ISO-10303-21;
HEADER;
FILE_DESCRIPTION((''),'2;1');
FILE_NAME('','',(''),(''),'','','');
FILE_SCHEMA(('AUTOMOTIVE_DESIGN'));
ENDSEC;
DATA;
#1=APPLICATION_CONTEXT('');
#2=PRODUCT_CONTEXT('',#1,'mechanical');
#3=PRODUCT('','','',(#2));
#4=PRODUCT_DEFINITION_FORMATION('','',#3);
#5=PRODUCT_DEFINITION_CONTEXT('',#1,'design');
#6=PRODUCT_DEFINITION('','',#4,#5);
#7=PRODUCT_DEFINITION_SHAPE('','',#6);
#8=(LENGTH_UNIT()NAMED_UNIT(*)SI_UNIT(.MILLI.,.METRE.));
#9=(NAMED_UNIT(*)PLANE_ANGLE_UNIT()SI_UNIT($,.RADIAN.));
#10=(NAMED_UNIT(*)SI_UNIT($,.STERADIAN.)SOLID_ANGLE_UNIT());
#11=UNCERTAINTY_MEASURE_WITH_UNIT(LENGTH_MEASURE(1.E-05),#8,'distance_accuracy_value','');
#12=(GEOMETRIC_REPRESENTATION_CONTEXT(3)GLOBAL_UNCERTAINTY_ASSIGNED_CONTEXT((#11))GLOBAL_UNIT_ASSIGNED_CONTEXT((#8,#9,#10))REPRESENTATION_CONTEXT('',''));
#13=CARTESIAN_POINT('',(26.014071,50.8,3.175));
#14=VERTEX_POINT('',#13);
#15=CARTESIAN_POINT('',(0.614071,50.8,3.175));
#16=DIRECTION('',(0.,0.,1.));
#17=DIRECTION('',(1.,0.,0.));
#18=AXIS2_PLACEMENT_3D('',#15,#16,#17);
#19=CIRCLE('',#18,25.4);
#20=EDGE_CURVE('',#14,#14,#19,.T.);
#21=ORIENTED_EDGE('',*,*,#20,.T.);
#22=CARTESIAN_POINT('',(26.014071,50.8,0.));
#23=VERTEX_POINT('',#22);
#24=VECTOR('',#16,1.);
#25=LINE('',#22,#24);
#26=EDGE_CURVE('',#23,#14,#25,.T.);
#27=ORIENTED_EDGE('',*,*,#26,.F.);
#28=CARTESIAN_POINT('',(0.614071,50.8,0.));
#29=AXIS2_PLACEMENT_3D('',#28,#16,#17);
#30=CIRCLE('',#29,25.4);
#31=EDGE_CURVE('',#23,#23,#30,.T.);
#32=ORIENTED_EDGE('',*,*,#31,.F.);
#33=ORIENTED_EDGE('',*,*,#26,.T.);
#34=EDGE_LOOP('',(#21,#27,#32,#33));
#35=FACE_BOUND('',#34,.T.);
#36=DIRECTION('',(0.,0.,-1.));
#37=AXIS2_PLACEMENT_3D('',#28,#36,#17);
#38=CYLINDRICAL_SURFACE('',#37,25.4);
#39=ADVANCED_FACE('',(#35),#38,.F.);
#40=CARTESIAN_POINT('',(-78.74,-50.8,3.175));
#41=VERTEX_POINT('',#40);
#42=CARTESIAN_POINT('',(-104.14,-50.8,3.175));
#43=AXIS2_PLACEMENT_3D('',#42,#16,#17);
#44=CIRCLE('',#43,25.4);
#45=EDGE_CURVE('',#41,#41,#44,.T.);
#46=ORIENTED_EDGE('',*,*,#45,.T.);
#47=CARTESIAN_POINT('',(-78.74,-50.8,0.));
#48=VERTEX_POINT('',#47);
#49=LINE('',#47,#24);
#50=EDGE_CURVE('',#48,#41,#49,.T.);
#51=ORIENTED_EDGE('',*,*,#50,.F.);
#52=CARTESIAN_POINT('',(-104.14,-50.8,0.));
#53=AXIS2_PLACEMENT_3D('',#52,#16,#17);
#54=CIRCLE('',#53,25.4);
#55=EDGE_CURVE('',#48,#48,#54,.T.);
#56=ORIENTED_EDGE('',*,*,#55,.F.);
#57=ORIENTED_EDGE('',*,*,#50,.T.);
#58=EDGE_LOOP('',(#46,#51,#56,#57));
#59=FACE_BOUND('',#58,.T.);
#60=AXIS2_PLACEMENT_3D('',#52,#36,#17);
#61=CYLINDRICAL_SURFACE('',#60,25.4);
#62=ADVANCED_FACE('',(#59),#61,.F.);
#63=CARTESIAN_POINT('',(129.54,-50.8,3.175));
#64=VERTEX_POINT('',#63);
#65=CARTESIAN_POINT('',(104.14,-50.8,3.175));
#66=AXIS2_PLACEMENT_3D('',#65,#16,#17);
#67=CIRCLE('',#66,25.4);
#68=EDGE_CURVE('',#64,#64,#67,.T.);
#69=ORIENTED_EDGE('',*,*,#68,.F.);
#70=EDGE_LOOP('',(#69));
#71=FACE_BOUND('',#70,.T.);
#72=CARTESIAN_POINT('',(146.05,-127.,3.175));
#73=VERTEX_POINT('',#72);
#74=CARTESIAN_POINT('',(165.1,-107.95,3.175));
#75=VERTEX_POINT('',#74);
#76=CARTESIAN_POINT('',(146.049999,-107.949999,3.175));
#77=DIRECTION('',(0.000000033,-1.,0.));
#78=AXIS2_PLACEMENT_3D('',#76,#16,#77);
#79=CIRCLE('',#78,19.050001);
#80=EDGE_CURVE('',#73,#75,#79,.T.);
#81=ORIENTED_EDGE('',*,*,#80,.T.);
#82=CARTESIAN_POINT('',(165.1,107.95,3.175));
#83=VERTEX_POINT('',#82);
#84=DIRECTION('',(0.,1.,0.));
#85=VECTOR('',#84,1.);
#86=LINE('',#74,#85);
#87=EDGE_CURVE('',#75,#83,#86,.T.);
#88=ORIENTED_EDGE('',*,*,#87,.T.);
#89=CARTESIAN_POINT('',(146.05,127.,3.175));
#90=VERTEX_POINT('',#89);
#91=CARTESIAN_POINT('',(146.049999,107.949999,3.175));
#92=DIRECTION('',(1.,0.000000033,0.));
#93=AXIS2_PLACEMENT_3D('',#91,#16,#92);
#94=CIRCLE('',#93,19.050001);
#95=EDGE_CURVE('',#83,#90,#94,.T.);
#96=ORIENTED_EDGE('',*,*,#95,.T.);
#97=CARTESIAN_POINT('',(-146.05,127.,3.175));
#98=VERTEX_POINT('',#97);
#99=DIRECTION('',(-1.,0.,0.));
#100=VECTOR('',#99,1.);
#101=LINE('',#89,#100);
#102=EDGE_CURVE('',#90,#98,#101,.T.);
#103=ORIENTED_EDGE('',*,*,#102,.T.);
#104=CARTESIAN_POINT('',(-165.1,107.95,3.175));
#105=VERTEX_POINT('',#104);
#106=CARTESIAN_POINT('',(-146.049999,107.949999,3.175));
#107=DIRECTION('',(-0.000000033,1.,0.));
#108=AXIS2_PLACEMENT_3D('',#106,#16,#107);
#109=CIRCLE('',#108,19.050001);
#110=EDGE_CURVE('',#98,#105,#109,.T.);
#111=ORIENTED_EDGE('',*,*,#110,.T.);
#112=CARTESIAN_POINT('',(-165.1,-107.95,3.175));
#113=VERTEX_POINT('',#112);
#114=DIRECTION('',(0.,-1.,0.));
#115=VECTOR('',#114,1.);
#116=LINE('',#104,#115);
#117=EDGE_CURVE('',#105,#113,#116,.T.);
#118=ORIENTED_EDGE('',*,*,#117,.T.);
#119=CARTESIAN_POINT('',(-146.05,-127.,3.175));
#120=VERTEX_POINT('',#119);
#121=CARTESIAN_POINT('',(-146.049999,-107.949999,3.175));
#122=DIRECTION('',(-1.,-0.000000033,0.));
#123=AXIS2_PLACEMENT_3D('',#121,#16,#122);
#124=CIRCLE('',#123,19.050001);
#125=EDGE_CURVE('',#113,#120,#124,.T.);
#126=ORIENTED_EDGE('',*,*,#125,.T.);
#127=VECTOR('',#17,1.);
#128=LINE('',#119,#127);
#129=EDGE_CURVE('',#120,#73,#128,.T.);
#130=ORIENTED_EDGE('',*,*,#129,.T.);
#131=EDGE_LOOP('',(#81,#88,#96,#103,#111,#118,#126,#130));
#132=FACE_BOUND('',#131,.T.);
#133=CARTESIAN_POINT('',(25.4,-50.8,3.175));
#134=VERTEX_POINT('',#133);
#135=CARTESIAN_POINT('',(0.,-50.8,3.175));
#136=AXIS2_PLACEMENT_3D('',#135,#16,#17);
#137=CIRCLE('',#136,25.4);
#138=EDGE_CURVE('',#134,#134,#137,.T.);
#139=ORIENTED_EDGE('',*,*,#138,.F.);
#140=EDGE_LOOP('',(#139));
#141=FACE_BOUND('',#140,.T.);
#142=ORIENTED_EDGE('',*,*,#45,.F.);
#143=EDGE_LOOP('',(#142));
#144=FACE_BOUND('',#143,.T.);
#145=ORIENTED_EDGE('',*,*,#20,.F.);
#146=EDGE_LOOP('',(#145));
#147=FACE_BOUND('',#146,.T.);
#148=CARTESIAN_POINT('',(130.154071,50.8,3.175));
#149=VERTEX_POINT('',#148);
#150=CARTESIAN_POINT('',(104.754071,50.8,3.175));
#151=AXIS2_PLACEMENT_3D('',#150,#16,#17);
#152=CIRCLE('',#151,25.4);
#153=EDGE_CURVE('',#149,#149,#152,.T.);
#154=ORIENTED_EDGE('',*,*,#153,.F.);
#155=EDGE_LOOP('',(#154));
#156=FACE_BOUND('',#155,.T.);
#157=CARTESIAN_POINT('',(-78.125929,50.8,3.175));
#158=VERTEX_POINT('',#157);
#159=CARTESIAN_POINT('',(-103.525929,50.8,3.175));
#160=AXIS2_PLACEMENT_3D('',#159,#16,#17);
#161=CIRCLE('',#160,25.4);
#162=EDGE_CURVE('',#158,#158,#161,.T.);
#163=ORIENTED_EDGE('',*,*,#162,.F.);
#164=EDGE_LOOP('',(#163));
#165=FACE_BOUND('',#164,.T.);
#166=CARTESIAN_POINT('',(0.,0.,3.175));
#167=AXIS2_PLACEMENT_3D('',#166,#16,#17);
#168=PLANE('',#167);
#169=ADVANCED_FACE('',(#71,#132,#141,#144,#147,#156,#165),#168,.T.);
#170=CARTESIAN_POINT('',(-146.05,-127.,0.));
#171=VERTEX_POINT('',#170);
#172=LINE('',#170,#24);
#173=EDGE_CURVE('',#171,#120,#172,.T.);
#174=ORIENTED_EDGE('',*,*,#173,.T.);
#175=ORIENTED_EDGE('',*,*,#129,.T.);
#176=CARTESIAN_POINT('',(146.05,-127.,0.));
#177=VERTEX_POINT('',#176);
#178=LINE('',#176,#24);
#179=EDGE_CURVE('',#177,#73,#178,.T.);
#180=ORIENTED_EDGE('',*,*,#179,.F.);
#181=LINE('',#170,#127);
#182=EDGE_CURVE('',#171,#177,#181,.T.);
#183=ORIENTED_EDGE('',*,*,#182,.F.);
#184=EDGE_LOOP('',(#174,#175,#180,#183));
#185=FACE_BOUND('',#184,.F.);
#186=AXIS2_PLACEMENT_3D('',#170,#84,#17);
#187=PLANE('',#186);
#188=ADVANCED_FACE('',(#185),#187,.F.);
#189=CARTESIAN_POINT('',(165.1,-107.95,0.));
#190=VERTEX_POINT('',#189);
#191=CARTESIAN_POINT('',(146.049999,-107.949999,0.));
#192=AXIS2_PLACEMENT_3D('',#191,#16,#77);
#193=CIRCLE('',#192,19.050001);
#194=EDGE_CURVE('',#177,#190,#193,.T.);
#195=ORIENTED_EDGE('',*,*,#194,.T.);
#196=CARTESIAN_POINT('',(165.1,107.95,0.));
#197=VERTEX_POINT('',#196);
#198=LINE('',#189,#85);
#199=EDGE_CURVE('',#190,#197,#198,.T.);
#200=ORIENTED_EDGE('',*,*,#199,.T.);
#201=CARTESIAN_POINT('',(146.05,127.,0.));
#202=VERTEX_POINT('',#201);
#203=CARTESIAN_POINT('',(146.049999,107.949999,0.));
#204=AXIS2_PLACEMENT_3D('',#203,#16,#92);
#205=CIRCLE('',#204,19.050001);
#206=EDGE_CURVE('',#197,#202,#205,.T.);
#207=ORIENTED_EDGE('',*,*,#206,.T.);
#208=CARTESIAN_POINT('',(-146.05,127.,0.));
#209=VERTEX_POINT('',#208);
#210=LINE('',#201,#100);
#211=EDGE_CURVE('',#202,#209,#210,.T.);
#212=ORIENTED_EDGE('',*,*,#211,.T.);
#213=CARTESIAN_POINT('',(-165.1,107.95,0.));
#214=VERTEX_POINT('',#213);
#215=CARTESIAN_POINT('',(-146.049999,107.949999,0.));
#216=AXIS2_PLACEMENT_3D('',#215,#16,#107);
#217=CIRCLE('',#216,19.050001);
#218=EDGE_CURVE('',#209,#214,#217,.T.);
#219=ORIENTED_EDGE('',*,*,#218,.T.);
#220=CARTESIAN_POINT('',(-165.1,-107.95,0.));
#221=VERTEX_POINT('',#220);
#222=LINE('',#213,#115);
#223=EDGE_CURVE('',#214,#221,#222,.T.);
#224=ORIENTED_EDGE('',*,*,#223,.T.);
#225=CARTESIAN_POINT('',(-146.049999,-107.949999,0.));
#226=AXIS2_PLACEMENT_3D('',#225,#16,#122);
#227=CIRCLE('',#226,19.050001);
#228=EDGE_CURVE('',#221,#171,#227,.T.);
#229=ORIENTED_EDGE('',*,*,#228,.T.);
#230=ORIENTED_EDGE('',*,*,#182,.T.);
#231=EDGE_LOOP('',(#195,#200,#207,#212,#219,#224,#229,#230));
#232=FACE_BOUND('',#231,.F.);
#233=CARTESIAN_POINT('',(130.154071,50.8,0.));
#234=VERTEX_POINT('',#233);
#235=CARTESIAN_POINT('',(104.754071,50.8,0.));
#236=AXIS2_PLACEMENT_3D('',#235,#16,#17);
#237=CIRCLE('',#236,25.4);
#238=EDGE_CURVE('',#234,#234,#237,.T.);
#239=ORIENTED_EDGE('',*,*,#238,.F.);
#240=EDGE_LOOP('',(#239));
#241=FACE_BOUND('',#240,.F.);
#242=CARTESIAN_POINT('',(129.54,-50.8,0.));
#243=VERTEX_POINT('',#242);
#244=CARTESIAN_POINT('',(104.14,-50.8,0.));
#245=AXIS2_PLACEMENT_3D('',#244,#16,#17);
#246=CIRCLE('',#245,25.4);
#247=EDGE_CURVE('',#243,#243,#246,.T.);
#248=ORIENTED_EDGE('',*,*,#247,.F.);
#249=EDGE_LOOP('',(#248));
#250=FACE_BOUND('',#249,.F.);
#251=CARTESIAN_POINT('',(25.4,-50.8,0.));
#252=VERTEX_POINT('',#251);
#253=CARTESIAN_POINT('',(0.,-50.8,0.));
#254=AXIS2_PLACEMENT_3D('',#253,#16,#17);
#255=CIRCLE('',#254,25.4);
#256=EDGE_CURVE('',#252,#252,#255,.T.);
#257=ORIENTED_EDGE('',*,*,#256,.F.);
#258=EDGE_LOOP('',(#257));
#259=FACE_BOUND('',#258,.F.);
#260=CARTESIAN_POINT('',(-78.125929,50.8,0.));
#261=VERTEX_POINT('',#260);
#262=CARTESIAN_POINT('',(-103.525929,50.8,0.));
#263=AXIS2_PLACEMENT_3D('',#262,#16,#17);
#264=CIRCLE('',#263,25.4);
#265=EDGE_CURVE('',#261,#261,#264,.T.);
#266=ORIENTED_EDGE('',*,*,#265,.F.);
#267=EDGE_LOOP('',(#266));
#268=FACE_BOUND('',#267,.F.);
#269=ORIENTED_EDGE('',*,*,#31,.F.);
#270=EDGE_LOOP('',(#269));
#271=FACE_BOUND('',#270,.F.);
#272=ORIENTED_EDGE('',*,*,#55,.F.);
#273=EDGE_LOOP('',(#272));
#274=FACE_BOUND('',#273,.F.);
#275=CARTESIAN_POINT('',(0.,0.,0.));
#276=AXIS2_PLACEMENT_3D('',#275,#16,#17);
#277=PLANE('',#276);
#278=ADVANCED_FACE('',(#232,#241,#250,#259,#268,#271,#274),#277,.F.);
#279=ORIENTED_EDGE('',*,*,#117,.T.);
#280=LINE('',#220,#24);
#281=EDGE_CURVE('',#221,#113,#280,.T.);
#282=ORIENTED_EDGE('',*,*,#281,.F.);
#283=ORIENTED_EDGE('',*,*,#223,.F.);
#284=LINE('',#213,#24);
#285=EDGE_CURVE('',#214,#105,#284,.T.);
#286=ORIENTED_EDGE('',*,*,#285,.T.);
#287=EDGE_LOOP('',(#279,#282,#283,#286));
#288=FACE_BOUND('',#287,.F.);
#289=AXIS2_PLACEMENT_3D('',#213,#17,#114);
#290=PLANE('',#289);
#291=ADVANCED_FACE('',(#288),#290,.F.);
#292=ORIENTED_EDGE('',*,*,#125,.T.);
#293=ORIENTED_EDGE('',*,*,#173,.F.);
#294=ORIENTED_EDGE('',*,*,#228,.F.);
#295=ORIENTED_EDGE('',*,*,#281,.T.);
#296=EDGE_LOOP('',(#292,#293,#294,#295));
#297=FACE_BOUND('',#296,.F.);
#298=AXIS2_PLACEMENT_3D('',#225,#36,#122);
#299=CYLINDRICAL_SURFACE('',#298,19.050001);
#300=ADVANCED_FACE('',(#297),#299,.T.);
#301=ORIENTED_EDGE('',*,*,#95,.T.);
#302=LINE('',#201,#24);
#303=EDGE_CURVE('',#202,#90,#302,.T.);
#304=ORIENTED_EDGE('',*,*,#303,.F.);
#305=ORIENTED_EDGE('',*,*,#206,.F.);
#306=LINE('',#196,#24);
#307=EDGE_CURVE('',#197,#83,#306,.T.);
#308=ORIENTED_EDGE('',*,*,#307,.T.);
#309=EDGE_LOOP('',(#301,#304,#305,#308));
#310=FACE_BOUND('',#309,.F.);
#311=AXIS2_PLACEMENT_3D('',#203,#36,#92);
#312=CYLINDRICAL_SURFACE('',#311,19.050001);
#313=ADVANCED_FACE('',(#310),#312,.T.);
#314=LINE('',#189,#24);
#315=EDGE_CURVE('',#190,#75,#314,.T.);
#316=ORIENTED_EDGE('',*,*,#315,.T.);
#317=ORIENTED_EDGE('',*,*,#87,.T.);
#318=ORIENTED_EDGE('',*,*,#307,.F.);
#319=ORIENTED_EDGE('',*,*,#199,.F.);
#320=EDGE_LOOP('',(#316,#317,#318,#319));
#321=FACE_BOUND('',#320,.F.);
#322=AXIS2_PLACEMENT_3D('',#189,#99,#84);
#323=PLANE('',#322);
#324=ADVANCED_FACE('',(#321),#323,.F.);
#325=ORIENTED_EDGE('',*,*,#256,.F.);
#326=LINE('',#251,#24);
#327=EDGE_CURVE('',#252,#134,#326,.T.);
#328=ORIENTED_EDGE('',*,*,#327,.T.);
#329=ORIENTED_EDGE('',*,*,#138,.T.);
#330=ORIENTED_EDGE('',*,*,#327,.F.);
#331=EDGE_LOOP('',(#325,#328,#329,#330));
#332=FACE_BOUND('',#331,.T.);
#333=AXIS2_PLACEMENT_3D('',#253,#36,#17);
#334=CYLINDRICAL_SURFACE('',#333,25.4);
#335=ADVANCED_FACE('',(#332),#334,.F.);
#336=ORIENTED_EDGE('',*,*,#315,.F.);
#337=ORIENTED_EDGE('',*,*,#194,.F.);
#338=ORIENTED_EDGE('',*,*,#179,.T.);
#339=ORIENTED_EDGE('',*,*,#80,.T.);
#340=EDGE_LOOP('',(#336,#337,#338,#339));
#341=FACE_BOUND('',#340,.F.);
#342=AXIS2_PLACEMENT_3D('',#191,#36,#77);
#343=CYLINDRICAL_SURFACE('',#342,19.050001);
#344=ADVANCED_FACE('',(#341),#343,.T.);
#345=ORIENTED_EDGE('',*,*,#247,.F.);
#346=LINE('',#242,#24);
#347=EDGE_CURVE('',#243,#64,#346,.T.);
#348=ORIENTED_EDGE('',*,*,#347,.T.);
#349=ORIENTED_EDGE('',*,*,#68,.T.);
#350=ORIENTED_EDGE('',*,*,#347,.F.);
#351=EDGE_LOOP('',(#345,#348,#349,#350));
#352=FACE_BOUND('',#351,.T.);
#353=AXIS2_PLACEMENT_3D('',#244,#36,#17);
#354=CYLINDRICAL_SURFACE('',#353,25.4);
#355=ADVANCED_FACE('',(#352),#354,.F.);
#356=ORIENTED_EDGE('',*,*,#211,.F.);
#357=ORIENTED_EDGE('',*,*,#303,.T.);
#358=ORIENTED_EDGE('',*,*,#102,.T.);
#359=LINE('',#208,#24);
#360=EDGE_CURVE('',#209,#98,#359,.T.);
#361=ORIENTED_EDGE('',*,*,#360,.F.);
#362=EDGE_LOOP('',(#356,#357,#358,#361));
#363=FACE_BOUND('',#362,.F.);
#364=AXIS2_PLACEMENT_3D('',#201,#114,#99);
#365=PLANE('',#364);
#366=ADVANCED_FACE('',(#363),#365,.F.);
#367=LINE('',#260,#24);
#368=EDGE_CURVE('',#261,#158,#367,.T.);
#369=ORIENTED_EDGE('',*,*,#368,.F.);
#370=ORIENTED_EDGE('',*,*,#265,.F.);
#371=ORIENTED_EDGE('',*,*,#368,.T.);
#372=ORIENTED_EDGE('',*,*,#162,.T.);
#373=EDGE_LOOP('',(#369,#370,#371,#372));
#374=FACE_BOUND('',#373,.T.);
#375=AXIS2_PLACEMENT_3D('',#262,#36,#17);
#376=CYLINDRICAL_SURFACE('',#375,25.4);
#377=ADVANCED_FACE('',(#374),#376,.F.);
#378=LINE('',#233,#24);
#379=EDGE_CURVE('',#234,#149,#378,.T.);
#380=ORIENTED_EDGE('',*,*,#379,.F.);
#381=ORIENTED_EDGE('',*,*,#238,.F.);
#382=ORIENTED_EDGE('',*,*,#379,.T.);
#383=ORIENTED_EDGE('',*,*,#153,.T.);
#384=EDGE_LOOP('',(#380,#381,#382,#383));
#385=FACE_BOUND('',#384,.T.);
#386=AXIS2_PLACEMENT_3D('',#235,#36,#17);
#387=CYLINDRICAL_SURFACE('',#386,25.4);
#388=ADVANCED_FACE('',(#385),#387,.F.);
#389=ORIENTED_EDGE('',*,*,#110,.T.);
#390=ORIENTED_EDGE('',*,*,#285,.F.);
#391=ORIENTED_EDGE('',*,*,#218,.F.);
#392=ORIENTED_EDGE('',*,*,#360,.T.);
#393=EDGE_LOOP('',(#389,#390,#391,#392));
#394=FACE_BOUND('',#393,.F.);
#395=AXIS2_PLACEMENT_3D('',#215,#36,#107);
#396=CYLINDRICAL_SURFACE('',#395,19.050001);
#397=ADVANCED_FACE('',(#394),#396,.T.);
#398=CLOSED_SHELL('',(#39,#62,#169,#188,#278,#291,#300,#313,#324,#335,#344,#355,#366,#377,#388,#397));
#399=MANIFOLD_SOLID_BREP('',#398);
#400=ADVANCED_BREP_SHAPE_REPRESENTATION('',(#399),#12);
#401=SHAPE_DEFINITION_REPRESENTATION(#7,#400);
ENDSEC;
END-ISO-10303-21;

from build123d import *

# Parameters (mm, degrees)
F0_R     = 25.4
F1_DEPTH = 3.175


with BuildPart() as f1:
    # F0 (on Top) → F1 (new body)
    with BuildSketch(Plane.XY):
        with BuildLine():
            ThreePointArc((165.1, 107.95), (159.520384, 121.420384), (146.05, 127))
            Line((146.05, 127), (-146.05, 127))
            ThreePointArc((-146.05, 127), (-159.520384, 121.420384), (-165.1, 107.95))
            Line((-165.1, 107.95), (-165.1, -107.95))
            ThreePointArc((-165.1, -107.95), (-159.520384, -121.420384), (-146.05, -127))
            Line((-146.05, -127), (146.05, -127))
            ThreePointArc((146.05, -127), (159.520384, -121.420384), (165.1, -107.95))
            Line((165.1, -107.95), (165.1, 107.95))
        make_face()
        with Locations((-104.14, -50.8)):
            Circle(F0_R, mode=Mode.SUBTRACT)
        with Locations((0, -50.8)):
            Circle(F0_R, mode=Mode.SUBTRACT)
        with Locations((104.14, -50.8)):
            Circle(F0_R, mode=Mode.SUBTRACT)
        with Locations((-103.525929, 50.8)):
            Circle(F0_R, mode=Mode.SUBTRACT)
        with Locations((0.614071, 50.8)):
            Circle(F0_R, mode=Mode.SUBTRACT)
        with Locations((104.754071, 50.8)):
            Circle(F0_R, mode=Mode.SUBTRACT)
    extrude(amount=F1_DEPTH)


solid = f1.part
